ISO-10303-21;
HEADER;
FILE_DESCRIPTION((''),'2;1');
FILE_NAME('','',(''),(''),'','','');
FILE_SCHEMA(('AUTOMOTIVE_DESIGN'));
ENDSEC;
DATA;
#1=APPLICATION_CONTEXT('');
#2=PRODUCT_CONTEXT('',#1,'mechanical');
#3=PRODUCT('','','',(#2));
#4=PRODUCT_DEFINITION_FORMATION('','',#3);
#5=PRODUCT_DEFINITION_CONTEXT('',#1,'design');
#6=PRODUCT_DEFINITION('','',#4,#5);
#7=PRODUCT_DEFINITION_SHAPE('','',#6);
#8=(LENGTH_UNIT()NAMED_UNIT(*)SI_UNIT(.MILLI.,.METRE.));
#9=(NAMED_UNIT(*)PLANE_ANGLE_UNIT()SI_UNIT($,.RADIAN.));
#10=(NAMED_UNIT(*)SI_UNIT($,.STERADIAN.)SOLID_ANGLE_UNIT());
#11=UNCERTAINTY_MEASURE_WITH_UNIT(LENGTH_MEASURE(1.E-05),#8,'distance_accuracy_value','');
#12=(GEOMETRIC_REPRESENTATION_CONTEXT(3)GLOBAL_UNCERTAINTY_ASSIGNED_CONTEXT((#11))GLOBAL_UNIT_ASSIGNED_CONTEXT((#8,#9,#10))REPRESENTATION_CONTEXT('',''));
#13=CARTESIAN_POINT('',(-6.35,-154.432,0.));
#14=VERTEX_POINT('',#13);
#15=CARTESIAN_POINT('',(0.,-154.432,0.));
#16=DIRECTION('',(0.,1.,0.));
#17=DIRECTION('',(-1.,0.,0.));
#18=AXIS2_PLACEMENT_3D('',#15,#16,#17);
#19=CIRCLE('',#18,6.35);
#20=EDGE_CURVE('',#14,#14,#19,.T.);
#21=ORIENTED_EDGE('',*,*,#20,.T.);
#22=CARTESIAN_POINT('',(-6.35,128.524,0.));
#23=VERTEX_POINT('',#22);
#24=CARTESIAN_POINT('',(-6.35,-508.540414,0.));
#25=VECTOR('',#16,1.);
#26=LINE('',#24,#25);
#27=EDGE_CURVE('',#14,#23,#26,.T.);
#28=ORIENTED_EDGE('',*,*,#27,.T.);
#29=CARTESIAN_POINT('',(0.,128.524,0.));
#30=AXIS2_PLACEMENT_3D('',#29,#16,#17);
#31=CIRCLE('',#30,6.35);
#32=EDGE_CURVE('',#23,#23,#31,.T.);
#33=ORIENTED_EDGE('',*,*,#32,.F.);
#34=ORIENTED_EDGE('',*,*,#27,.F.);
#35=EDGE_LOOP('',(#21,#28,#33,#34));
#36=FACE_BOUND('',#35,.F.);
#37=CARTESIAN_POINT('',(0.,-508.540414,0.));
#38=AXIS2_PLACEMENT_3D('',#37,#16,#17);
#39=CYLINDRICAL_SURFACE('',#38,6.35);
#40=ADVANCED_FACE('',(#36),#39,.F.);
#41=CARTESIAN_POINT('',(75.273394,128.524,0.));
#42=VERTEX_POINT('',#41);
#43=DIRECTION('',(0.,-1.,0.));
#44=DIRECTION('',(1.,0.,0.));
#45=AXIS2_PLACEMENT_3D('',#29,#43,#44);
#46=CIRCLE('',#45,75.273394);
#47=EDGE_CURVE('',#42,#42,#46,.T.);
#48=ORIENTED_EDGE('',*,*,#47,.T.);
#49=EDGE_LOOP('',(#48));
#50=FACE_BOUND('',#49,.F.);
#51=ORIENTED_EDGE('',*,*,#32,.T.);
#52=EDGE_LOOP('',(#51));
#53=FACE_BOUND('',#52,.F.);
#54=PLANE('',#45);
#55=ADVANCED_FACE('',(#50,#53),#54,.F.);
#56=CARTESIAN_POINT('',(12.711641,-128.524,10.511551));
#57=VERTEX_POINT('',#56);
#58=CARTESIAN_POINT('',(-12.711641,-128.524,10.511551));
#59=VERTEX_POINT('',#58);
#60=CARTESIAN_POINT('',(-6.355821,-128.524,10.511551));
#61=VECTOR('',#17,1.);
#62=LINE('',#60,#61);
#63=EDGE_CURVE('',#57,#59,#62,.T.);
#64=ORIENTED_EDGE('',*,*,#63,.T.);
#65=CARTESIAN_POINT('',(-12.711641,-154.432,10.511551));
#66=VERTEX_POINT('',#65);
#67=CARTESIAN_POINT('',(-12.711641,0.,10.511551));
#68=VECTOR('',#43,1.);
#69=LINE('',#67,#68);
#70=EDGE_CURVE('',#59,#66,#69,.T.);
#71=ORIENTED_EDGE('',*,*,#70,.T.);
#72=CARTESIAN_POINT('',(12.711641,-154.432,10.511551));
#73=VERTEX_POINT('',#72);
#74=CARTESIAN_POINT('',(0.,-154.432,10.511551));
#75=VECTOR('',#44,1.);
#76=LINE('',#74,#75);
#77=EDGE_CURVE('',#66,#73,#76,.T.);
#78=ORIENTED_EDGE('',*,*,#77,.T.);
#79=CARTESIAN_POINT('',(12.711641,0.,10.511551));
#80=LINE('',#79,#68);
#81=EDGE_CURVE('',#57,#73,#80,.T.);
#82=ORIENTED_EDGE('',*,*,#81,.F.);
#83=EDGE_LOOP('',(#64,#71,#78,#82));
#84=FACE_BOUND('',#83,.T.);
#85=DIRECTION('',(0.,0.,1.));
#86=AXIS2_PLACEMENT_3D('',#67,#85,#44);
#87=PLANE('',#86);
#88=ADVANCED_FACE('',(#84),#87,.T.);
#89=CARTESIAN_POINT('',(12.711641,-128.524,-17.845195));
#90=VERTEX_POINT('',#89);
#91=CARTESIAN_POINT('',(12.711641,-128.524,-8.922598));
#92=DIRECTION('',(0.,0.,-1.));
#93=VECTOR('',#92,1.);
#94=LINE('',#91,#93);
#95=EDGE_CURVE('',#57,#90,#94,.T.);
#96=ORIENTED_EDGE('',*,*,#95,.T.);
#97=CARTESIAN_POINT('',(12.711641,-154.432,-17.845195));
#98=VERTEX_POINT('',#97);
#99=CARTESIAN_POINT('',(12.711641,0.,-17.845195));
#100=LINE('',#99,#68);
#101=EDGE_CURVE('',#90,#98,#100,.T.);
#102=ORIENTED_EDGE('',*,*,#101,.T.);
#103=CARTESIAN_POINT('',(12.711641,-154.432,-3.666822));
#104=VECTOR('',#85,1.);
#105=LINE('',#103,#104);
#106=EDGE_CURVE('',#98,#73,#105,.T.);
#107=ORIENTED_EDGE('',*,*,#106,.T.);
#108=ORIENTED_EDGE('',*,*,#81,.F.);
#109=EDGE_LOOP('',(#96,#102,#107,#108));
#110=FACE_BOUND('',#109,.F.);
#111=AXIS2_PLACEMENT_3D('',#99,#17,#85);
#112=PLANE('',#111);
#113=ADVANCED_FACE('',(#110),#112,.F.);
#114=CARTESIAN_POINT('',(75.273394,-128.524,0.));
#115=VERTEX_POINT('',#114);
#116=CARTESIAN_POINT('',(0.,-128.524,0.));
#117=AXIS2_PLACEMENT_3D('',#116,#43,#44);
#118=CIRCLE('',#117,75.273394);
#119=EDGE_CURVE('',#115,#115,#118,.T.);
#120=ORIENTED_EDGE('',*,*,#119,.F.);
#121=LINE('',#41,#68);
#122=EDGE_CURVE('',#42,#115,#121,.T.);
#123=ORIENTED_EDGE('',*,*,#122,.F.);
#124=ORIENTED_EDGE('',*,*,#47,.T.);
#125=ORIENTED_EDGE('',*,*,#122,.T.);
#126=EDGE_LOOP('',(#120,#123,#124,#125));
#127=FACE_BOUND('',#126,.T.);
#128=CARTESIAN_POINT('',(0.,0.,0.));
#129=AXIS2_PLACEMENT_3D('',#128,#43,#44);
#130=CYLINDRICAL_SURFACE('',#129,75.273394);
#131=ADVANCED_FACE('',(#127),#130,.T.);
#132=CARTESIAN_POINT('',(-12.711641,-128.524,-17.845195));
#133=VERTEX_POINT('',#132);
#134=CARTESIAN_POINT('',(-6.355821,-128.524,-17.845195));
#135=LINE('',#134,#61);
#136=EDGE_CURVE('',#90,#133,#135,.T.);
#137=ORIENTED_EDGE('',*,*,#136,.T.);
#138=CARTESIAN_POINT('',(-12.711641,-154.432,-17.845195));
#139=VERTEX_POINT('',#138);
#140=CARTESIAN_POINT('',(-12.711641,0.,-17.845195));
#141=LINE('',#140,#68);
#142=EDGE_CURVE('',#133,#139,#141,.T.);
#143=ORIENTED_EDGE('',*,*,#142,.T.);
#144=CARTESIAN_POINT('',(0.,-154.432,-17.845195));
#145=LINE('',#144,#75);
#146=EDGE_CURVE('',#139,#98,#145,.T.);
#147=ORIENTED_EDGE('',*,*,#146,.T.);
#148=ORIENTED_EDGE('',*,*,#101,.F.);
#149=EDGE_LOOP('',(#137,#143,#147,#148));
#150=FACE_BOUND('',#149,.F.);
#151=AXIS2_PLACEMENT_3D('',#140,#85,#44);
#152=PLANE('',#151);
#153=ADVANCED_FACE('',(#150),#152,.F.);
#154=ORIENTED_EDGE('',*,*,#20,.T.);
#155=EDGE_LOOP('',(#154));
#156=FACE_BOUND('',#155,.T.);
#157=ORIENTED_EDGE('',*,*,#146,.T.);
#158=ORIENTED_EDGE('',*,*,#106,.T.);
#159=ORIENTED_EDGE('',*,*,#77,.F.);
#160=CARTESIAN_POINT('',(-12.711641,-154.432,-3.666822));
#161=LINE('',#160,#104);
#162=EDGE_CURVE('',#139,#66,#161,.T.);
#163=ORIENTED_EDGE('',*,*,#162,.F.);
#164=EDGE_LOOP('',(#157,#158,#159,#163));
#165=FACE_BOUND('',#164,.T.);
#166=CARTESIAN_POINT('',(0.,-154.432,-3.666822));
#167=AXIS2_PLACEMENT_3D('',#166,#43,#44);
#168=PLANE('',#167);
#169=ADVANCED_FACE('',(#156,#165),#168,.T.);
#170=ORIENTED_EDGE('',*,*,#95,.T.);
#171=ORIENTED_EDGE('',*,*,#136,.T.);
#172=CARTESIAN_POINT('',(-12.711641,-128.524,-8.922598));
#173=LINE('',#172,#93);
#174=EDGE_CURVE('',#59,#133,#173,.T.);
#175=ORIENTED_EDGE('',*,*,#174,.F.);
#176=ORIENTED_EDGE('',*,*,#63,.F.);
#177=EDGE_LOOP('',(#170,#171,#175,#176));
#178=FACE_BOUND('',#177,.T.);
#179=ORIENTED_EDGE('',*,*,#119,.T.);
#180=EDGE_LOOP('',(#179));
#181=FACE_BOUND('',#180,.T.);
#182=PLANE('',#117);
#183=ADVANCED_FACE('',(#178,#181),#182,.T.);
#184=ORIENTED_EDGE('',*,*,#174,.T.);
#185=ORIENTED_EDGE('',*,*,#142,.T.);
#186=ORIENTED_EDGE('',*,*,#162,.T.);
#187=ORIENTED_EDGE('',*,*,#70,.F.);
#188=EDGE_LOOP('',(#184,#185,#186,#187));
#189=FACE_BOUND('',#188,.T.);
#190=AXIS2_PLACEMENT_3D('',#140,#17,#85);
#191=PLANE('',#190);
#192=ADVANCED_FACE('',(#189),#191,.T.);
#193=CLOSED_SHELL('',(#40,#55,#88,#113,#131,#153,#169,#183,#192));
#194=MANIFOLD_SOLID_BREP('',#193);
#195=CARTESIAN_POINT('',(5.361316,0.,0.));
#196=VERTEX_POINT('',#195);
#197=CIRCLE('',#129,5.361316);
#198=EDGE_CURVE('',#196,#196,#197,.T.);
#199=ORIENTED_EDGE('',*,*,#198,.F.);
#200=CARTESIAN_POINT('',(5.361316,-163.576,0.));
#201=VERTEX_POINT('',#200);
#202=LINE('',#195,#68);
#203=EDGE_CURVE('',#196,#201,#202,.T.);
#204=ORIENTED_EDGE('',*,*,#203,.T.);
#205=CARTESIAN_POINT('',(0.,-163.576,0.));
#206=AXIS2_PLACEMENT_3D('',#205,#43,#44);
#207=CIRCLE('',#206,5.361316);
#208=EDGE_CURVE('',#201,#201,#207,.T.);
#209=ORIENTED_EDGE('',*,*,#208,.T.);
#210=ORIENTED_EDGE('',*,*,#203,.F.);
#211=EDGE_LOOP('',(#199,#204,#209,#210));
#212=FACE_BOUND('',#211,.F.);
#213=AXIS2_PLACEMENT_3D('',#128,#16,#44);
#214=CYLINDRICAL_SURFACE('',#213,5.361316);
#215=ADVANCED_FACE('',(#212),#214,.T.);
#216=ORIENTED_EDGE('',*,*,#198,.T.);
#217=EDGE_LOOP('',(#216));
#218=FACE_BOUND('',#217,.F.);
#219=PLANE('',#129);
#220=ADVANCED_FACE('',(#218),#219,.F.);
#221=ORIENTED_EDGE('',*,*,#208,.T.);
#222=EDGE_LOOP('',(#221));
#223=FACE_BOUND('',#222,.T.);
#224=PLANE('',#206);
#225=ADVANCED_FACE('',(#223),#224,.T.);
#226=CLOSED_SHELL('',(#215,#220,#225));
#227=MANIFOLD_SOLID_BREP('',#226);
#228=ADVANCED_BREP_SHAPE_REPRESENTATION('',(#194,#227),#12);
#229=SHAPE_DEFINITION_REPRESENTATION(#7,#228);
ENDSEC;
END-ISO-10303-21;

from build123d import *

# Parameters (mm, degrees)
F0_R     = 75.273394
F1_DEPTH = 128.524
F2_W     = 25.423282
F2_H     = 28.356747
F3_DEPTH = 154.432
F5_D     = 12.7
F6_R     = 5.361316
F7_DEPTH = 163.576


with BuildPart() as f1:
    # F0 (on Front) → F1 (new body, symmetric)
    with BuildSketch(Plane.XZ):
        Circle(F0_R)
    extrude(amount=F1_DEPTH, both=True)

    # F2 (on Front) → F3 (join)
    with BuildSketch(Plane.XZ):
        with Locations((0, -3.666822)):
            Rectangle(F2_W, F2_H)
    extrude(amount=F3_DEPTH)

    # F5 (through all)
    with Locations(Plane.XZ.offset(154.432)):
        with Locations((0, 0)):
            Hole(F5_D / 2)


with BuildPart() as f7:
    # F6 (on Front) → F7 (new body)
    with BuildSketch(Plane.XZ):
        Circle(F6_R)
    extrude(amount=F7_DEPTH)


solid = Compound([f1.part, f7.part])
